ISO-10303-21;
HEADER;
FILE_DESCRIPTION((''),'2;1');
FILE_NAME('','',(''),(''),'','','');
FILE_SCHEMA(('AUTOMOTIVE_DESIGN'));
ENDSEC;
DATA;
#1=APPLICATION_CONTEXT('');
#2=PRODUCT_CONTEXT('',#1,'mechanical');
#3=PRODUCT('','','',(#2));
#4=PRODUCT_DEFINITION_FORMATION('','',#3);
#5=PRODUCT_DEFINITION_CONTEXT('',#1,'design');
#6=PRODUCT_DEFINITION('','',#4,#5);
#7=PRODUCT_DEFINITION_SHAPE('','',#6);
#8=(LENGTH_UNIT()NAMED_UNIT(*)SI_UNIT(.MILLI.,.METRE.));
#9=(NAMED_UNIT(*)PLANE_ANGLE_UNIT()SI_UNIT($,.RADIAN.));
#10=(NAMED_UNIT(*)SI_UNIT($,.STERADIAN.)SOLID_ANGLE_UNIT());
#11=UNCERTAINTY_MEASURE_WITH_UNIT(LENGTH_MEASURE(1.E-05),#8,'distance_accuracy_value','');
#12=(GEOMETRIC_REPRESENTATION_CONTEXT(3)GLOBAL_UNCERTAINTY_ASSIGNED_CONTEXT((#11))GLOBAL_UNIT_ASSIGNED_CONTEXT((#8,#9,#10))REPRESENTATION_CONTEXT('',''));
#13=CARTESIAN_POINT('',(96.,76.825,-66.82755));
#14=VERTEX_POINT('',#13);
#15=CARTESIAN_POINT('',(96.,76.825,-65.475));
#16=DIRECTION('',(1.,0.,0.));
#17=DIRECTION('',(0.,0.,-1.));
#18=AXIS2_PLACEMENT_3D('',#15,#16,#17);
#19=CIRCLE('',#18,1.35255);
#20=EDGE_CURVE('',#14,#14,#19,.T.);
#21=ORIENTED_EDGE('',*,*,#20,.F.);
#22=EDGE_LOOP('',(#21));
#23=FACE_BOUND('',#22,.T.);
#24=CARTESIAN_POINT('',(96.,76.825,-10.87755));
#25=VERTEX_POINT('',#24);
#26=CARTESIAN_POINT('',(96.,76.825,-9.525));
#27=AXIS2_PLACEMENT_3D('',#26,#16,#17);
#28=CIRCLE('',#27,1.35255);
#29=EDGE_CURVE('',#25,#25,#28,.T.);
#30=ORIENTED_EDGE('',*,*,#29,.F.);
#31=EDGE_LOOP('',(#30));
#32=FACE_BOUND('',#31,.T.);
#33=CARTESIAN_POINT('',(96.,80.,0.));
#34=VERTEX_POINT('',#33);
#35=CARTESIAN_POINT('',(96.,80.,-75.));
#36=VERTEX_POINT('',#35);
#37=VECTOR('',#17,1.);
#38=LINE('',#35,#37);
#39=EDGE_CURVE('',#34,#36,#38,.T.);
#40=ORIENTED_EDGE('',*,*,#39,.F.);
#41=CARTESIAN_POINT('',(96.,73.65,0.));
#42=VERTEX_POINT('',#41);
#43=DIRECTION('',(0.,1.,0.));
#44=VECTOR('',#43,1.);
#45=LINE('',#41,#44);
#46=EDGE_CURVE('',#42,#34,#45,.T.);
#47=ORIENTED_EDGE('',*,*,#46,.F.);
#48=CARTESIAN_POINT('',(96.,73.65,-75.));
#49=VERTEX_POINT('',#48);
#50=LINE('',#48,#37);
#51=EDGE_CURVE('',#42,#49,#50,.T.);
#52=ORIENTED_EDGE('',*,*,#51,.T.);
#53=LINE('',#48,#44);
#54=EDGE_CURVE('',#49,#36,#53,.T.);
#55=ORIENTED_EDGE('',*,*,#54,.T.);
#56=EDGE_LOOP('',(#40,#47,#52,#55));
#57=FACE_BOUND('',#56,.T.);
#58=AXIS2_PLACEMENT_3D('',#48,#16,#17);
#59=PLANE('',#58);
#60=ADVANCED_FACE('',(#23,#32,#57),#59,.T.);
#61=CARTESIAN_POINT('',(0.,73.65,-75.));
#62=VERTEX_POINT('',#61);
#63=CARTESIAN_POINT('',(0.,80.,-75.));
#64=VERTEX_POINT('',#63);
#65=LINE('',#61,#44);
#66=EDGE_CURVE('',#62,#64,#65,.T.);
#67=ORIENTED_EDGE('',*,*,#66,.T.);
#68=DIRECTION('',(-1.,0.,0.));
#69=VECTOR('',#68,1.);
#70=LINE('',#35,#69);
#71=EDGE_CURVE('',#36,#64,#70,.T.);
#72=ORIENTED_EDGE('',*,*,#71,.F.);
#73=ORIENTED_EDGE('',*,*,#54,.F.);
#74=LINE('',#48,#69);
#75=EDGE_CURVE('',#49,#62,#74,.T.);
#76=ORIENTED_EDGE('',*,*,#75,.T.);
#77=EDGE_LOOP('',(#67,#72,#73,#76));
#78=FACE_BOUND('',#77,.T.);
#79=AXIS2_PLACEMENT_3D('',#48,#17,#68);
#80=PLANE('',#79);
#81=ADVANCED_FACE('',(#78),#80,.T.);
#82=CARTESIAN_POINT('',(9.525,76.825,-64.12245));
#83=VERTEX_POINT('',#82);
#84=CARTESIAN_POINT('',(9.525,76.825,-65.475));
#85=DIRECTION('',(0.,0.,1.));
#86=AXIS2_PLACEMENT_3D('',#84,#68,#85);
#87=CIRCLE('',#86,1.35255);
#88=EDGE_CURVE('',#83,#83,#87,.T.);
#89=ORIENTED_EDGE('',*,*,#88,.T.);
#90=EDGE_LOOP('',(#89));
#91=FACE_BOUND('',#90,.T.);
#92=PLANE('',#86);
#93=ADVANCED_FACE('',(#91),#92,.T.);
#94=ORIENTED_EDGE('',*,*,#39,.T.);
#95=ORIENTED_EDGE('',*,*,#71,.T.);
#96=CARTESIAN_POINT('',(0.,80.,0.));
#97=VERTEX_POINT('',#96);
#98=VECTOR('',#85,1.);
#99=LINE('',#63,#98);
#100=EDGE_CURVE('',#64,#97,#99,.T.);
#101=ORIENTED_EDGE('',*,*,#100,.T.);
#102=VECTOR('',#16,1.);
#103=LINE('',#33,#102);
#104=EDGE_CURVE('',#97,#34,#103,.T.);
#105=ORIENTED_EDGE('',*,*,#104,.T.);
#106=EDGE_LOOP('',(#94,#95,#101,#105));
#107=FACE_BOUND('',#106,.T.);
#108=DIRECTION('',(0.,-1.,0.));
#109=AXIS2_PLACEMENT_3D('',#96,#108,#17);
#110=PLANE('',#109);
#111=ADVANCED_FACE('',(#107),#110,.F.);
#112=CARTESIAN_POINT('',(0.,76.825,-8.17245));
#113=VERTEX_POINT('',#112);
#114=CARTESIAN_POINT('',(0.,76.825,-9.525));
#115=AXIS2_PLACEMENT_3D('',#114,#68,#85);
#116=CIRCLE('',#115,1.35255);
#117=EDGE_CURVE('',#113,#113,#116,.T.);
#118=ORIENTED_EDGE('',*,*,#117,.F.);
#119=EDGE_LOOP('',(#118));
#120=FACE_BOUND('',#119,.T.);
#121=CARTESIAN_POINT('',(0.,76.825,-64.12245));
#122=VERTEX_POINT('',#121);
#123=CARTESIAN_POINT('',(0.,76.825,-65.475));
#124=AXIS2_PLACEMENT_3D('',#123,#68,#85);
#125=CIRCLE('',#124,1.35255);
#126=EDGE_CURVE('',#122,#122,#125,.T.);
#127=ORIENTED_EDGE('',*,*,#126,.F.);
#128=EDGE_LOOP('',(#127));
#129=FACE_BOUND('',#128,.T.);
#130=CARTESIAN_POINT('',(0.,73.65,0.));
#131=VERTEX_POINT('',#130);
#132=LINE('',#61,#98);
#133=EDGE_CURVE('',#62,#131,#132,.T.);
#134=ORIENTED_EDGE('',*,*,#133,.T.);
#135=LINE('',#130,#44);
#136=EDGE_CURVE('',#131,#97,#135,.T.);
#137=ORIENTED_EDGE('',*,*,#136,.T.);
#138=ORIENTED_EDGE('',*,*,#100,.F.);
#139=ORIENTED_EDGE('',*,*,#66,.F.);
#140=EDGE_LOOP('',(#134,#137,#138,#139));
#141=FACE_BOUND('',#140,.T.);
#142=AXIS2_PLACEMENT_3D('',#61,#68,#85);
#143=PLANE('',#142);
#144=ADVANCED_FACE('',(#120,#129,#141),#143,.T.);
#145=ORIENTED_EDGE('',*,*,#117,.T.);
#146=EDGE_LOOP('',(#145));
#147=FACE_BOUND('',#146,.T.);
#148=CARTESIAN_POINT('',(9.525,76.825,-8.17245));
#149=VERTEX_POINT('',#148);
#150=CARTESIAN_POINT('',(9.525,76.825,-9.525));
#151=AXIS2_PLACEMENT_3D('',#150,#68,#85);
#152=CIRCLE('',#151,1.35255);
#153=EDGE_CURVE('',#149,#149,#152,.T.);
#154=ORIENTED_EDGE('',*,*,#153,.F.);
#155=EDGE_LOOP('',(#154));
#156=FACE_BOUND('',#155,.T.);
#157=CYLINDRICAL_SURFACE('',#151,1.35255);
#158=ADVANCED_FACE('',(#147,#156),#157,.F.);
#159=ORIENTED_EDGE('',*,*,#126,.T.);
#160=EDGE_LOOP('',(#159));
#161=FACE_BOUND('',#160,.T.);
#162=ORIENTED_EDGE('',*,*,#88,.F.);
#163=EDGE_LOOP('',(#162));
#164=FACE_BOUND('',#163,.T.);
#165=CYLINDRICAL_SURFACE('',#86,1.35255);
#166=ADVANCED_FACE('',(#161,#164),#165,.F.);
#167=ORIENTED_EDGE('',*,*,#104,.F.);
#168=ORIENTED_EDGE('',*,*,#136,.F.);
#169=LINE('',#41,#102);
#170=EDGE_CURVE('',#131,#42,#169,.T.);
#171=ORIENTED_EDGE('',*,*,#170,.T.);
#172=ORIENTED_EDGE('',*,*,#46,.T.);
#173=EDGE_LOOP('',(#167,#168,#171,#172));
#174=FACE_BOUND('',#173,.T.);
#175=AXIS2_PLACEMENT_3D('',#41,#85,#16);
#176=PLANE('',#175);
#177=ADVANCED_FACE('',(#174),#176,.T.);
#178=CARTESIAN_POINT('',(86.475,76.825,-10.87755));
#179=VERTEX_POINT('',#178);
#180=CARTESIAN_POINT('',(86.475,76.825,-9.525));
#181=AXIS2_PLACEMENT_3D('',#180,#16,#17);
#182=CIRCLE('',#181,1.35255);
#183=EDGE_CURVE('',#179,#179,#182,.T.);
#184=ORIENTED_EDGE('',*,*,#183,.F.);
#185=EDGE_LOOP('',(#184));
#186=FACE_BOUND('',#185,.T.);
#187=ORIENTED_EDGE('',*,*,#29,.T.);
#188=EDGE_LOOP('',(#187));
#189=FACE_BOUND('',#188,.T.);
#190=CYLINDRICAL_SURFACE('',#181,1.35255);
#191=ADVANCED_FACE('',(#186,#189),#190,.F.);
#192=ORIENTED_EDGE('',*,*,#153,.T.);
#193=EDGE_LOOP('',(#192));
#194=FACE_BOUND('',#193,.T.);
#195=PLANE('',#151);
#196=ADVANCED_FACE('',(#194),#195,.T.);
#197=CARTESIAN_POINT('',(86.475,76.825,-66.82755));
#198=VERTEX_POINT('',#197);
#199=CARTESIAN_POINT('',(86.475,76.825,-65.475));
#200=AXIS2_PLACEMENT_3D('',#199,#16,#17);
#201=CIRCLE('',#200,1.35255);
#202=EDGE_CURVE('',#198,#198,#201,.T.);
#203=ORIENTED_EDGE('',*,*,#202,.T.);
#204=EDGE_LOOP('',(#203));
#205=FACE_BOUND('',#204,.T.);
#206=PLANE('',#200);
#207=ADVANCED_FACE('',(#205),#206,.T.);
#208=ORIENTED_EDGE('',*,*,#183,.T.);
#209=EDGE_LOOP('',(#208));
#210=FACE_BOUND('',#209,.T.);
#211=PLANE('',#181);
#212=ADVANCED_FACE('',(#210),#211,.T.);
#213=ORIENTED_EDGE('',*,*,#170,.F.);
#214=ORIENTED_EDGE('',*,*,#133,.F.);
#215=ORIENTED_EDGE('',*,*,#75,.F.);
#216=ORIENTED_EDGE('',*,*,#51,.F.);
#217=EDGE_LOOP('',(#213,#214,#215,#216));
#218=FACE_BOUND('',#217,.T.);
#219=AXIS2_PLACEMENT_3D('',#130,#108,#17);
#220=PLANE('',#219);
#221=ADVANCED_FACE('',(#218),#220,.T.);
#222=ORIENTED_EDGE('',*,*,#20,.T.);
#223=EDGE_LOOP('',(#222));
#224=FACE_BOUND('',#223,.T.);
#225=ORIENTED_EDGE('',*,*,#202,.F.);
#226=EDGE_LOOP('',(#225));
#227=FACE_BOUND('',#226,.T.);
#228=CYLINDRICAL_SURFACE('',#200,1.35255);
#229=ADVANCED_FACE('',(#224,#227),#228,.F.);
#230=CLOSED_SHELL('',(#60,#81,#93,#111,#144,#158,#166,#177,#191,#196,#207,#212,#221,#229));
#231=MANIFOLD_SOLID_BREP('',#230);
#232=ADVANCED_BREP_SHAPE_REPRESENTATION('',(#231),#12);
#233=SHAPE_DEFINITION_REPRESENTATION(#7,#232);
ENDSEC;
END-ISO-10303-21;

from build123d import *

# Parameters (mm, degrees)
SKETCH1_W           = 96
SKETCH1_H           = 75
BOSS_EXTRUDE1_DEPTH = 6.35
SKETCH2_R           = 1.35255
CUT_EXTRUDE1_DEPTH  = 9.525
SKETCH3_R           = 1.35255
CUT_EXTRUDE2_DEPTH  = 9.525


with BuildPart() as part:
    # Sketch1 → Boss-Extrude1 (new body)
    with BuildSketch(Plane(origin=(0, 80, 0), x_dir=(1, 0, 0), z_dir=(0, 1, 0))):
        with Locations((48, 37.5)):
            Rectangle(SKETCH1_W, SKETCH1_H)
    extrude(amount=-BOSS_EXTRUDE1_DEPTH)

    # Sketch2 → Cut-Extrude1 (cut)
    with BuildSketch(Plane(origin=(96, 0, 0), x_dir=(0, 0, -1), z_dir=(1, 0, 0))):
        with Locations((65.475, 76.825)):
            Circle(SKETCH2_R)
        with Locations((9.525, 76.825)):
            Circle(SKETCH2_R)
    extrude(amount=-CUT_EXTRUDE1_DEPTH, mode=Mode.SUBTRACT)

    # Sketch3 → Cut-Extrude2 (cut)
    with BuildSketch(Plane.ZY):
        with Locations((-65.475, 76.825)):
            Circle(SKETCH3_R)
        with Locations((-9.525, 76.825)):
            Circle(SKETCH3_R)
    extrude(amount=-CUT_EXTRUDE2_DEPTH, mode=Mode.SUBTRACT)


solid = part.part
